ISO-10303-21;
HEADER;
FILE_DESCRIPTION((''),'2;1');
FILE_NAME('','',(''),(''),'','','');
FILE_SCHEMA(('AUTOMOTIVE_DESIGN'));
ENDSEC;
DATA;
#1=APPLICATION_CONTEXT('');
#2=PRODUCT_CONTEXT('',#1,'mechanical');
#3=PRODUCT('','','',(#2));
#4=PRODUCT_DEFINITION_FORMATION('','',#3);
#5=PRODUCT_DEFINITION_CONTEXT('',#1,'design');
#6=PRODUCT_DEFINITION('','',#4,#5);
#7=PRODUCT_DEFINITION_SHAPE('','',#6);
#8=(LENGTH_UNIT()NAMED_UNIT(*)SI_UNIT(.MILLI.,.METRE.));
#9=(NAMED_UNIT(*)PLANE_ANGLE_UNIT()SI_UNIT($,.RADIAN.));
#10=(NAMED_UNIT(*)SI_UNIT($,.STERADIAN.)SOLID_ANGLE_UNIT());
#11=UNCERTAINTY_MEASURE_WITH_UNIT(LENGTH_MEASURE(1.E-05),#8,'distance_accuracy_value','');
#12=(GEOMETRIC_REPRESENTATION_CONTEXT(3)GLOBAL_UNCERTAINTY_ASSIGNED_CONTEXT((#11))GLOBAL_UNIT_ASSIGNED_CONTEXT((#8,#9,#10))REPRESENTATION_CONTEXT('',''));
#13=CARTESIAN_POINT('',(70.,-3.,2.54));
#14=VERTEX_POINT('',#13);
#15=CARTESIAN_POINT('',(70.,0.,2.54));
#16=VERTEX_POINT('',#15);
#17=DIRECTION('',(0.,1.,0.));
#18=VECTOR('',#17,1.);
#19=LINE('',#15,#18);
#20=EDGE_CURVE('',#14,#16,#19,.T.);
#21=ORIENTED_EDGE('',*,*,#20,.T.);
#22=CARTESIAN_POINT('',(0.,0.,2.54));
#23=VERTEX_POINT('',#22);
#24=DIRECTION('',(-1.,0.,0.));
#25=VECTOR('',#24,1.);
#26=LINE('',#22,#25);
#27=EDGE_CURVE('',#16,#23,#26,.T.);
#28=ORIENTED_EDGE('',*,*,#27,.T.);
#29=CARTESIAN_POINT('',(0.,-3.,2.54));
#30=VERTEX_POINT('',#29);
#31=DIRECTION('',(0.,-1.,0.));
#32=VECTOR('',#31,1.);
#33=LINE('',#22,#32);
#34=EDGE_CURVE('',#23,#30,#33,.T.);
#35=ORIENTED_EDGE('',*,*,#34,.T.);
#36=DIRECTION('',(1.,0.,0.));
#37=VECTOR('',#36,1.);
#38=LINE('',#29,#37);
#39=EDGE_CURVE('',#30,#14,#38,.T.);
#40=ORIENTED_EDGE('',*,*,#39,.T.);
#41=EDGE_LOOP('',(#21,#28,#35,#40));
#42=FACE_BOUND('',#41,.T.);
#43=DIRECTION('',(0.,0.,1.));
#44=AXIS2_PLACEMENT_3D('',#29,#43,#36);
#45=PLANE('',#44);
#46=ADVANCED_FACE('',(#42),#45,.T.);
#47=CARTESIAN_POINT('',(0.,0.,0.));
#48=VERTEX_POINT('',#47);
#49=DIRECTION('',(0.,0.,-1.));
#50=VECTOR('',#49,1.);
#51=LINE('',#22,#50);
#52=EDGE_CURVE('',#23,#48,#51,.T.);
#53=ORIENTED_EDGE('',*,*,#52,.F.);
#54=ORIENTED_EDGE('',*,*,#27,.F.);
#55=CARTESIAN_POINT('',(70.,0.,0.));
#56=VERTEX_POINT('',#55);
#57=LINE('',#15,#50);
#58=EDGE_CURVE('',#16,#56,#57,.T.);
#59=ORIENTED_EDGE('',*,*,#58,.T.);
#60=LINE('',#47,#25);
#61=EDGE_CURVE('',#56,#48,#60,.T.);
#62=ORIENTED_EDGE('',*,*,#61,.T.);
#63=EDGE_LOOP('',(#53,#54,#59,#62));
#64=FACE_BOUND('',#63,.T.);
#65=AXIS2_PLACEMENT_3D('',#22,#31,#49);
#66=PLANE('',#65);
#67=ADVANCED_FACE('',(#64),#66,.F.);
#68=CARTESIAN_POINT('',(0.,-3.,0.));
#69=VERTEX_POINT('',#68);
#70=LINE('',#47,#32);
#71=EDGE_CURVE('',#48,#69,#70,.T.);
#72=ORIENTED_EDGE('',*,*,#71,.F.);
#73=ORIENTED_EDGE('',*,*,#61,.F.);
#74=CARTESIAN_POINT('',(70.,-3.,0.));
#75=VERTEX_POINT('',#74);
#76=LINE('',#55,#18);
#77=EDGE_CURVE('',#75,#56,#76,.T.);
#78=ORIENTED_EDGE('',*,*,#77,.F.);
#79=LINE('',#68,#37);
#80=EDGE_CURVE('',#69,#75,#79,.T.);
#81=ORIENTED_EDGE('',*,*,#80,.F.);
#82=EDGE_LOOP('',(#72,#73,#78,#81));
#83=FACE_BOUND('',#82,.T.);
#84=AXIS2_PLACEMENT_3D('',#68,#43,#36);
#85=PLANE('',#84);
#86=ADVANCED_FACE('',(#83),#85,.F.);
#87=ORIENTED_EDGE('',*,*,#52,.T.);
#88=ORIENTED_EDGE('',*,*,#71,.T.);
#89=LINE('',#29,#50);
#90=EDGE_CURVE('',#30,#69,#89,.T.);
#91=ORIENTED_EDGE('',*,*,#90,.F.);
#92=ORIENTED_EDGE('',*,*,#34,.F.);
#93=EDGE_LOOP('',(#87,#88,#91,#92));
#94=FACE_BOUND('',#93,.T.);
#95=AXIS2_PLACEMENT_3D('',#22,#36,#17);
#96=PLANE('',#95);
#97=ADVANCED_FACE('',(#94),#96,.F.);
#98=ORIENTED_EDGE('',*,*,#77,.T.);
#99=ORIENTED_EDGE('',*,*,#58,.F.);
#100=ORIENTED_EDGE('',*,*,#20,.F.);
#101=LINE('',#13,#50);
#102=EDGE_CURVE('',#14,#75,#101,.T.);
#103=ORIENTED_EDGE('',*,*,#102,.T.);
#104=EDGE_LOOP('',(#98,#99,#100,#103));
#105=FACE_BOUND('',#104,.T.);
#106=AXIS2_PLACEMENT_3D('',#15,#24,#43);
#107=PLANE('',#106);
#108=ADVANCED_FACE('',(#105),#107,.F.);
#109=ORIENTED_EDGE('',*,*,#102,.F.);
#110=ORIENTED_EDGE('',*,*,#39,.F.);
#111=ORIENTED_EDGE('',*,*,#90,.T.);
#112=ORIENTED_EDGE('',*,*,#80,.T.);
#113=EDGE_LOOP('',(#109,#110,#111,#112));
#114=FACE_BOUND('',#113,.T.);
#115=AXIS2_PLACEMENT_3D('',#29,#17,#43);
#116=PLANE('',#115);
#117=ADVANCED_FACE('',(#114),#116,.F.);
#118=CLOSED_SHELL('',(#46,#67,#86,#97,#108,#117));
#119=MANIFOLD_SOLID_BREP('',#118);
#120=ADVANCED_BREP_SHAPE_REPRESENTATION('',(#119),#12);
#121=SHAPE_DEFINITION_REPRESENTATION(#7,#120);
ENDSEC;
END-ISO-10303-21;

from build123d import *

# Parameters (mm, degrees)
SKETCH1_W      = 70
SKETCH1_H      = 3
EXTRUDE1_DEPTH = 2.54


with BuildPart() as part:
    # Sketch1 → Extrude1 (new body)
    with BuildSketch(Plane.XY):
        with Locations((35, -1.5)):
            Rectangle(SKETCH1_W, SKETCH1_H)
    extrude(amount=EXTRUDE1_DEPTH)


solid = part.part
